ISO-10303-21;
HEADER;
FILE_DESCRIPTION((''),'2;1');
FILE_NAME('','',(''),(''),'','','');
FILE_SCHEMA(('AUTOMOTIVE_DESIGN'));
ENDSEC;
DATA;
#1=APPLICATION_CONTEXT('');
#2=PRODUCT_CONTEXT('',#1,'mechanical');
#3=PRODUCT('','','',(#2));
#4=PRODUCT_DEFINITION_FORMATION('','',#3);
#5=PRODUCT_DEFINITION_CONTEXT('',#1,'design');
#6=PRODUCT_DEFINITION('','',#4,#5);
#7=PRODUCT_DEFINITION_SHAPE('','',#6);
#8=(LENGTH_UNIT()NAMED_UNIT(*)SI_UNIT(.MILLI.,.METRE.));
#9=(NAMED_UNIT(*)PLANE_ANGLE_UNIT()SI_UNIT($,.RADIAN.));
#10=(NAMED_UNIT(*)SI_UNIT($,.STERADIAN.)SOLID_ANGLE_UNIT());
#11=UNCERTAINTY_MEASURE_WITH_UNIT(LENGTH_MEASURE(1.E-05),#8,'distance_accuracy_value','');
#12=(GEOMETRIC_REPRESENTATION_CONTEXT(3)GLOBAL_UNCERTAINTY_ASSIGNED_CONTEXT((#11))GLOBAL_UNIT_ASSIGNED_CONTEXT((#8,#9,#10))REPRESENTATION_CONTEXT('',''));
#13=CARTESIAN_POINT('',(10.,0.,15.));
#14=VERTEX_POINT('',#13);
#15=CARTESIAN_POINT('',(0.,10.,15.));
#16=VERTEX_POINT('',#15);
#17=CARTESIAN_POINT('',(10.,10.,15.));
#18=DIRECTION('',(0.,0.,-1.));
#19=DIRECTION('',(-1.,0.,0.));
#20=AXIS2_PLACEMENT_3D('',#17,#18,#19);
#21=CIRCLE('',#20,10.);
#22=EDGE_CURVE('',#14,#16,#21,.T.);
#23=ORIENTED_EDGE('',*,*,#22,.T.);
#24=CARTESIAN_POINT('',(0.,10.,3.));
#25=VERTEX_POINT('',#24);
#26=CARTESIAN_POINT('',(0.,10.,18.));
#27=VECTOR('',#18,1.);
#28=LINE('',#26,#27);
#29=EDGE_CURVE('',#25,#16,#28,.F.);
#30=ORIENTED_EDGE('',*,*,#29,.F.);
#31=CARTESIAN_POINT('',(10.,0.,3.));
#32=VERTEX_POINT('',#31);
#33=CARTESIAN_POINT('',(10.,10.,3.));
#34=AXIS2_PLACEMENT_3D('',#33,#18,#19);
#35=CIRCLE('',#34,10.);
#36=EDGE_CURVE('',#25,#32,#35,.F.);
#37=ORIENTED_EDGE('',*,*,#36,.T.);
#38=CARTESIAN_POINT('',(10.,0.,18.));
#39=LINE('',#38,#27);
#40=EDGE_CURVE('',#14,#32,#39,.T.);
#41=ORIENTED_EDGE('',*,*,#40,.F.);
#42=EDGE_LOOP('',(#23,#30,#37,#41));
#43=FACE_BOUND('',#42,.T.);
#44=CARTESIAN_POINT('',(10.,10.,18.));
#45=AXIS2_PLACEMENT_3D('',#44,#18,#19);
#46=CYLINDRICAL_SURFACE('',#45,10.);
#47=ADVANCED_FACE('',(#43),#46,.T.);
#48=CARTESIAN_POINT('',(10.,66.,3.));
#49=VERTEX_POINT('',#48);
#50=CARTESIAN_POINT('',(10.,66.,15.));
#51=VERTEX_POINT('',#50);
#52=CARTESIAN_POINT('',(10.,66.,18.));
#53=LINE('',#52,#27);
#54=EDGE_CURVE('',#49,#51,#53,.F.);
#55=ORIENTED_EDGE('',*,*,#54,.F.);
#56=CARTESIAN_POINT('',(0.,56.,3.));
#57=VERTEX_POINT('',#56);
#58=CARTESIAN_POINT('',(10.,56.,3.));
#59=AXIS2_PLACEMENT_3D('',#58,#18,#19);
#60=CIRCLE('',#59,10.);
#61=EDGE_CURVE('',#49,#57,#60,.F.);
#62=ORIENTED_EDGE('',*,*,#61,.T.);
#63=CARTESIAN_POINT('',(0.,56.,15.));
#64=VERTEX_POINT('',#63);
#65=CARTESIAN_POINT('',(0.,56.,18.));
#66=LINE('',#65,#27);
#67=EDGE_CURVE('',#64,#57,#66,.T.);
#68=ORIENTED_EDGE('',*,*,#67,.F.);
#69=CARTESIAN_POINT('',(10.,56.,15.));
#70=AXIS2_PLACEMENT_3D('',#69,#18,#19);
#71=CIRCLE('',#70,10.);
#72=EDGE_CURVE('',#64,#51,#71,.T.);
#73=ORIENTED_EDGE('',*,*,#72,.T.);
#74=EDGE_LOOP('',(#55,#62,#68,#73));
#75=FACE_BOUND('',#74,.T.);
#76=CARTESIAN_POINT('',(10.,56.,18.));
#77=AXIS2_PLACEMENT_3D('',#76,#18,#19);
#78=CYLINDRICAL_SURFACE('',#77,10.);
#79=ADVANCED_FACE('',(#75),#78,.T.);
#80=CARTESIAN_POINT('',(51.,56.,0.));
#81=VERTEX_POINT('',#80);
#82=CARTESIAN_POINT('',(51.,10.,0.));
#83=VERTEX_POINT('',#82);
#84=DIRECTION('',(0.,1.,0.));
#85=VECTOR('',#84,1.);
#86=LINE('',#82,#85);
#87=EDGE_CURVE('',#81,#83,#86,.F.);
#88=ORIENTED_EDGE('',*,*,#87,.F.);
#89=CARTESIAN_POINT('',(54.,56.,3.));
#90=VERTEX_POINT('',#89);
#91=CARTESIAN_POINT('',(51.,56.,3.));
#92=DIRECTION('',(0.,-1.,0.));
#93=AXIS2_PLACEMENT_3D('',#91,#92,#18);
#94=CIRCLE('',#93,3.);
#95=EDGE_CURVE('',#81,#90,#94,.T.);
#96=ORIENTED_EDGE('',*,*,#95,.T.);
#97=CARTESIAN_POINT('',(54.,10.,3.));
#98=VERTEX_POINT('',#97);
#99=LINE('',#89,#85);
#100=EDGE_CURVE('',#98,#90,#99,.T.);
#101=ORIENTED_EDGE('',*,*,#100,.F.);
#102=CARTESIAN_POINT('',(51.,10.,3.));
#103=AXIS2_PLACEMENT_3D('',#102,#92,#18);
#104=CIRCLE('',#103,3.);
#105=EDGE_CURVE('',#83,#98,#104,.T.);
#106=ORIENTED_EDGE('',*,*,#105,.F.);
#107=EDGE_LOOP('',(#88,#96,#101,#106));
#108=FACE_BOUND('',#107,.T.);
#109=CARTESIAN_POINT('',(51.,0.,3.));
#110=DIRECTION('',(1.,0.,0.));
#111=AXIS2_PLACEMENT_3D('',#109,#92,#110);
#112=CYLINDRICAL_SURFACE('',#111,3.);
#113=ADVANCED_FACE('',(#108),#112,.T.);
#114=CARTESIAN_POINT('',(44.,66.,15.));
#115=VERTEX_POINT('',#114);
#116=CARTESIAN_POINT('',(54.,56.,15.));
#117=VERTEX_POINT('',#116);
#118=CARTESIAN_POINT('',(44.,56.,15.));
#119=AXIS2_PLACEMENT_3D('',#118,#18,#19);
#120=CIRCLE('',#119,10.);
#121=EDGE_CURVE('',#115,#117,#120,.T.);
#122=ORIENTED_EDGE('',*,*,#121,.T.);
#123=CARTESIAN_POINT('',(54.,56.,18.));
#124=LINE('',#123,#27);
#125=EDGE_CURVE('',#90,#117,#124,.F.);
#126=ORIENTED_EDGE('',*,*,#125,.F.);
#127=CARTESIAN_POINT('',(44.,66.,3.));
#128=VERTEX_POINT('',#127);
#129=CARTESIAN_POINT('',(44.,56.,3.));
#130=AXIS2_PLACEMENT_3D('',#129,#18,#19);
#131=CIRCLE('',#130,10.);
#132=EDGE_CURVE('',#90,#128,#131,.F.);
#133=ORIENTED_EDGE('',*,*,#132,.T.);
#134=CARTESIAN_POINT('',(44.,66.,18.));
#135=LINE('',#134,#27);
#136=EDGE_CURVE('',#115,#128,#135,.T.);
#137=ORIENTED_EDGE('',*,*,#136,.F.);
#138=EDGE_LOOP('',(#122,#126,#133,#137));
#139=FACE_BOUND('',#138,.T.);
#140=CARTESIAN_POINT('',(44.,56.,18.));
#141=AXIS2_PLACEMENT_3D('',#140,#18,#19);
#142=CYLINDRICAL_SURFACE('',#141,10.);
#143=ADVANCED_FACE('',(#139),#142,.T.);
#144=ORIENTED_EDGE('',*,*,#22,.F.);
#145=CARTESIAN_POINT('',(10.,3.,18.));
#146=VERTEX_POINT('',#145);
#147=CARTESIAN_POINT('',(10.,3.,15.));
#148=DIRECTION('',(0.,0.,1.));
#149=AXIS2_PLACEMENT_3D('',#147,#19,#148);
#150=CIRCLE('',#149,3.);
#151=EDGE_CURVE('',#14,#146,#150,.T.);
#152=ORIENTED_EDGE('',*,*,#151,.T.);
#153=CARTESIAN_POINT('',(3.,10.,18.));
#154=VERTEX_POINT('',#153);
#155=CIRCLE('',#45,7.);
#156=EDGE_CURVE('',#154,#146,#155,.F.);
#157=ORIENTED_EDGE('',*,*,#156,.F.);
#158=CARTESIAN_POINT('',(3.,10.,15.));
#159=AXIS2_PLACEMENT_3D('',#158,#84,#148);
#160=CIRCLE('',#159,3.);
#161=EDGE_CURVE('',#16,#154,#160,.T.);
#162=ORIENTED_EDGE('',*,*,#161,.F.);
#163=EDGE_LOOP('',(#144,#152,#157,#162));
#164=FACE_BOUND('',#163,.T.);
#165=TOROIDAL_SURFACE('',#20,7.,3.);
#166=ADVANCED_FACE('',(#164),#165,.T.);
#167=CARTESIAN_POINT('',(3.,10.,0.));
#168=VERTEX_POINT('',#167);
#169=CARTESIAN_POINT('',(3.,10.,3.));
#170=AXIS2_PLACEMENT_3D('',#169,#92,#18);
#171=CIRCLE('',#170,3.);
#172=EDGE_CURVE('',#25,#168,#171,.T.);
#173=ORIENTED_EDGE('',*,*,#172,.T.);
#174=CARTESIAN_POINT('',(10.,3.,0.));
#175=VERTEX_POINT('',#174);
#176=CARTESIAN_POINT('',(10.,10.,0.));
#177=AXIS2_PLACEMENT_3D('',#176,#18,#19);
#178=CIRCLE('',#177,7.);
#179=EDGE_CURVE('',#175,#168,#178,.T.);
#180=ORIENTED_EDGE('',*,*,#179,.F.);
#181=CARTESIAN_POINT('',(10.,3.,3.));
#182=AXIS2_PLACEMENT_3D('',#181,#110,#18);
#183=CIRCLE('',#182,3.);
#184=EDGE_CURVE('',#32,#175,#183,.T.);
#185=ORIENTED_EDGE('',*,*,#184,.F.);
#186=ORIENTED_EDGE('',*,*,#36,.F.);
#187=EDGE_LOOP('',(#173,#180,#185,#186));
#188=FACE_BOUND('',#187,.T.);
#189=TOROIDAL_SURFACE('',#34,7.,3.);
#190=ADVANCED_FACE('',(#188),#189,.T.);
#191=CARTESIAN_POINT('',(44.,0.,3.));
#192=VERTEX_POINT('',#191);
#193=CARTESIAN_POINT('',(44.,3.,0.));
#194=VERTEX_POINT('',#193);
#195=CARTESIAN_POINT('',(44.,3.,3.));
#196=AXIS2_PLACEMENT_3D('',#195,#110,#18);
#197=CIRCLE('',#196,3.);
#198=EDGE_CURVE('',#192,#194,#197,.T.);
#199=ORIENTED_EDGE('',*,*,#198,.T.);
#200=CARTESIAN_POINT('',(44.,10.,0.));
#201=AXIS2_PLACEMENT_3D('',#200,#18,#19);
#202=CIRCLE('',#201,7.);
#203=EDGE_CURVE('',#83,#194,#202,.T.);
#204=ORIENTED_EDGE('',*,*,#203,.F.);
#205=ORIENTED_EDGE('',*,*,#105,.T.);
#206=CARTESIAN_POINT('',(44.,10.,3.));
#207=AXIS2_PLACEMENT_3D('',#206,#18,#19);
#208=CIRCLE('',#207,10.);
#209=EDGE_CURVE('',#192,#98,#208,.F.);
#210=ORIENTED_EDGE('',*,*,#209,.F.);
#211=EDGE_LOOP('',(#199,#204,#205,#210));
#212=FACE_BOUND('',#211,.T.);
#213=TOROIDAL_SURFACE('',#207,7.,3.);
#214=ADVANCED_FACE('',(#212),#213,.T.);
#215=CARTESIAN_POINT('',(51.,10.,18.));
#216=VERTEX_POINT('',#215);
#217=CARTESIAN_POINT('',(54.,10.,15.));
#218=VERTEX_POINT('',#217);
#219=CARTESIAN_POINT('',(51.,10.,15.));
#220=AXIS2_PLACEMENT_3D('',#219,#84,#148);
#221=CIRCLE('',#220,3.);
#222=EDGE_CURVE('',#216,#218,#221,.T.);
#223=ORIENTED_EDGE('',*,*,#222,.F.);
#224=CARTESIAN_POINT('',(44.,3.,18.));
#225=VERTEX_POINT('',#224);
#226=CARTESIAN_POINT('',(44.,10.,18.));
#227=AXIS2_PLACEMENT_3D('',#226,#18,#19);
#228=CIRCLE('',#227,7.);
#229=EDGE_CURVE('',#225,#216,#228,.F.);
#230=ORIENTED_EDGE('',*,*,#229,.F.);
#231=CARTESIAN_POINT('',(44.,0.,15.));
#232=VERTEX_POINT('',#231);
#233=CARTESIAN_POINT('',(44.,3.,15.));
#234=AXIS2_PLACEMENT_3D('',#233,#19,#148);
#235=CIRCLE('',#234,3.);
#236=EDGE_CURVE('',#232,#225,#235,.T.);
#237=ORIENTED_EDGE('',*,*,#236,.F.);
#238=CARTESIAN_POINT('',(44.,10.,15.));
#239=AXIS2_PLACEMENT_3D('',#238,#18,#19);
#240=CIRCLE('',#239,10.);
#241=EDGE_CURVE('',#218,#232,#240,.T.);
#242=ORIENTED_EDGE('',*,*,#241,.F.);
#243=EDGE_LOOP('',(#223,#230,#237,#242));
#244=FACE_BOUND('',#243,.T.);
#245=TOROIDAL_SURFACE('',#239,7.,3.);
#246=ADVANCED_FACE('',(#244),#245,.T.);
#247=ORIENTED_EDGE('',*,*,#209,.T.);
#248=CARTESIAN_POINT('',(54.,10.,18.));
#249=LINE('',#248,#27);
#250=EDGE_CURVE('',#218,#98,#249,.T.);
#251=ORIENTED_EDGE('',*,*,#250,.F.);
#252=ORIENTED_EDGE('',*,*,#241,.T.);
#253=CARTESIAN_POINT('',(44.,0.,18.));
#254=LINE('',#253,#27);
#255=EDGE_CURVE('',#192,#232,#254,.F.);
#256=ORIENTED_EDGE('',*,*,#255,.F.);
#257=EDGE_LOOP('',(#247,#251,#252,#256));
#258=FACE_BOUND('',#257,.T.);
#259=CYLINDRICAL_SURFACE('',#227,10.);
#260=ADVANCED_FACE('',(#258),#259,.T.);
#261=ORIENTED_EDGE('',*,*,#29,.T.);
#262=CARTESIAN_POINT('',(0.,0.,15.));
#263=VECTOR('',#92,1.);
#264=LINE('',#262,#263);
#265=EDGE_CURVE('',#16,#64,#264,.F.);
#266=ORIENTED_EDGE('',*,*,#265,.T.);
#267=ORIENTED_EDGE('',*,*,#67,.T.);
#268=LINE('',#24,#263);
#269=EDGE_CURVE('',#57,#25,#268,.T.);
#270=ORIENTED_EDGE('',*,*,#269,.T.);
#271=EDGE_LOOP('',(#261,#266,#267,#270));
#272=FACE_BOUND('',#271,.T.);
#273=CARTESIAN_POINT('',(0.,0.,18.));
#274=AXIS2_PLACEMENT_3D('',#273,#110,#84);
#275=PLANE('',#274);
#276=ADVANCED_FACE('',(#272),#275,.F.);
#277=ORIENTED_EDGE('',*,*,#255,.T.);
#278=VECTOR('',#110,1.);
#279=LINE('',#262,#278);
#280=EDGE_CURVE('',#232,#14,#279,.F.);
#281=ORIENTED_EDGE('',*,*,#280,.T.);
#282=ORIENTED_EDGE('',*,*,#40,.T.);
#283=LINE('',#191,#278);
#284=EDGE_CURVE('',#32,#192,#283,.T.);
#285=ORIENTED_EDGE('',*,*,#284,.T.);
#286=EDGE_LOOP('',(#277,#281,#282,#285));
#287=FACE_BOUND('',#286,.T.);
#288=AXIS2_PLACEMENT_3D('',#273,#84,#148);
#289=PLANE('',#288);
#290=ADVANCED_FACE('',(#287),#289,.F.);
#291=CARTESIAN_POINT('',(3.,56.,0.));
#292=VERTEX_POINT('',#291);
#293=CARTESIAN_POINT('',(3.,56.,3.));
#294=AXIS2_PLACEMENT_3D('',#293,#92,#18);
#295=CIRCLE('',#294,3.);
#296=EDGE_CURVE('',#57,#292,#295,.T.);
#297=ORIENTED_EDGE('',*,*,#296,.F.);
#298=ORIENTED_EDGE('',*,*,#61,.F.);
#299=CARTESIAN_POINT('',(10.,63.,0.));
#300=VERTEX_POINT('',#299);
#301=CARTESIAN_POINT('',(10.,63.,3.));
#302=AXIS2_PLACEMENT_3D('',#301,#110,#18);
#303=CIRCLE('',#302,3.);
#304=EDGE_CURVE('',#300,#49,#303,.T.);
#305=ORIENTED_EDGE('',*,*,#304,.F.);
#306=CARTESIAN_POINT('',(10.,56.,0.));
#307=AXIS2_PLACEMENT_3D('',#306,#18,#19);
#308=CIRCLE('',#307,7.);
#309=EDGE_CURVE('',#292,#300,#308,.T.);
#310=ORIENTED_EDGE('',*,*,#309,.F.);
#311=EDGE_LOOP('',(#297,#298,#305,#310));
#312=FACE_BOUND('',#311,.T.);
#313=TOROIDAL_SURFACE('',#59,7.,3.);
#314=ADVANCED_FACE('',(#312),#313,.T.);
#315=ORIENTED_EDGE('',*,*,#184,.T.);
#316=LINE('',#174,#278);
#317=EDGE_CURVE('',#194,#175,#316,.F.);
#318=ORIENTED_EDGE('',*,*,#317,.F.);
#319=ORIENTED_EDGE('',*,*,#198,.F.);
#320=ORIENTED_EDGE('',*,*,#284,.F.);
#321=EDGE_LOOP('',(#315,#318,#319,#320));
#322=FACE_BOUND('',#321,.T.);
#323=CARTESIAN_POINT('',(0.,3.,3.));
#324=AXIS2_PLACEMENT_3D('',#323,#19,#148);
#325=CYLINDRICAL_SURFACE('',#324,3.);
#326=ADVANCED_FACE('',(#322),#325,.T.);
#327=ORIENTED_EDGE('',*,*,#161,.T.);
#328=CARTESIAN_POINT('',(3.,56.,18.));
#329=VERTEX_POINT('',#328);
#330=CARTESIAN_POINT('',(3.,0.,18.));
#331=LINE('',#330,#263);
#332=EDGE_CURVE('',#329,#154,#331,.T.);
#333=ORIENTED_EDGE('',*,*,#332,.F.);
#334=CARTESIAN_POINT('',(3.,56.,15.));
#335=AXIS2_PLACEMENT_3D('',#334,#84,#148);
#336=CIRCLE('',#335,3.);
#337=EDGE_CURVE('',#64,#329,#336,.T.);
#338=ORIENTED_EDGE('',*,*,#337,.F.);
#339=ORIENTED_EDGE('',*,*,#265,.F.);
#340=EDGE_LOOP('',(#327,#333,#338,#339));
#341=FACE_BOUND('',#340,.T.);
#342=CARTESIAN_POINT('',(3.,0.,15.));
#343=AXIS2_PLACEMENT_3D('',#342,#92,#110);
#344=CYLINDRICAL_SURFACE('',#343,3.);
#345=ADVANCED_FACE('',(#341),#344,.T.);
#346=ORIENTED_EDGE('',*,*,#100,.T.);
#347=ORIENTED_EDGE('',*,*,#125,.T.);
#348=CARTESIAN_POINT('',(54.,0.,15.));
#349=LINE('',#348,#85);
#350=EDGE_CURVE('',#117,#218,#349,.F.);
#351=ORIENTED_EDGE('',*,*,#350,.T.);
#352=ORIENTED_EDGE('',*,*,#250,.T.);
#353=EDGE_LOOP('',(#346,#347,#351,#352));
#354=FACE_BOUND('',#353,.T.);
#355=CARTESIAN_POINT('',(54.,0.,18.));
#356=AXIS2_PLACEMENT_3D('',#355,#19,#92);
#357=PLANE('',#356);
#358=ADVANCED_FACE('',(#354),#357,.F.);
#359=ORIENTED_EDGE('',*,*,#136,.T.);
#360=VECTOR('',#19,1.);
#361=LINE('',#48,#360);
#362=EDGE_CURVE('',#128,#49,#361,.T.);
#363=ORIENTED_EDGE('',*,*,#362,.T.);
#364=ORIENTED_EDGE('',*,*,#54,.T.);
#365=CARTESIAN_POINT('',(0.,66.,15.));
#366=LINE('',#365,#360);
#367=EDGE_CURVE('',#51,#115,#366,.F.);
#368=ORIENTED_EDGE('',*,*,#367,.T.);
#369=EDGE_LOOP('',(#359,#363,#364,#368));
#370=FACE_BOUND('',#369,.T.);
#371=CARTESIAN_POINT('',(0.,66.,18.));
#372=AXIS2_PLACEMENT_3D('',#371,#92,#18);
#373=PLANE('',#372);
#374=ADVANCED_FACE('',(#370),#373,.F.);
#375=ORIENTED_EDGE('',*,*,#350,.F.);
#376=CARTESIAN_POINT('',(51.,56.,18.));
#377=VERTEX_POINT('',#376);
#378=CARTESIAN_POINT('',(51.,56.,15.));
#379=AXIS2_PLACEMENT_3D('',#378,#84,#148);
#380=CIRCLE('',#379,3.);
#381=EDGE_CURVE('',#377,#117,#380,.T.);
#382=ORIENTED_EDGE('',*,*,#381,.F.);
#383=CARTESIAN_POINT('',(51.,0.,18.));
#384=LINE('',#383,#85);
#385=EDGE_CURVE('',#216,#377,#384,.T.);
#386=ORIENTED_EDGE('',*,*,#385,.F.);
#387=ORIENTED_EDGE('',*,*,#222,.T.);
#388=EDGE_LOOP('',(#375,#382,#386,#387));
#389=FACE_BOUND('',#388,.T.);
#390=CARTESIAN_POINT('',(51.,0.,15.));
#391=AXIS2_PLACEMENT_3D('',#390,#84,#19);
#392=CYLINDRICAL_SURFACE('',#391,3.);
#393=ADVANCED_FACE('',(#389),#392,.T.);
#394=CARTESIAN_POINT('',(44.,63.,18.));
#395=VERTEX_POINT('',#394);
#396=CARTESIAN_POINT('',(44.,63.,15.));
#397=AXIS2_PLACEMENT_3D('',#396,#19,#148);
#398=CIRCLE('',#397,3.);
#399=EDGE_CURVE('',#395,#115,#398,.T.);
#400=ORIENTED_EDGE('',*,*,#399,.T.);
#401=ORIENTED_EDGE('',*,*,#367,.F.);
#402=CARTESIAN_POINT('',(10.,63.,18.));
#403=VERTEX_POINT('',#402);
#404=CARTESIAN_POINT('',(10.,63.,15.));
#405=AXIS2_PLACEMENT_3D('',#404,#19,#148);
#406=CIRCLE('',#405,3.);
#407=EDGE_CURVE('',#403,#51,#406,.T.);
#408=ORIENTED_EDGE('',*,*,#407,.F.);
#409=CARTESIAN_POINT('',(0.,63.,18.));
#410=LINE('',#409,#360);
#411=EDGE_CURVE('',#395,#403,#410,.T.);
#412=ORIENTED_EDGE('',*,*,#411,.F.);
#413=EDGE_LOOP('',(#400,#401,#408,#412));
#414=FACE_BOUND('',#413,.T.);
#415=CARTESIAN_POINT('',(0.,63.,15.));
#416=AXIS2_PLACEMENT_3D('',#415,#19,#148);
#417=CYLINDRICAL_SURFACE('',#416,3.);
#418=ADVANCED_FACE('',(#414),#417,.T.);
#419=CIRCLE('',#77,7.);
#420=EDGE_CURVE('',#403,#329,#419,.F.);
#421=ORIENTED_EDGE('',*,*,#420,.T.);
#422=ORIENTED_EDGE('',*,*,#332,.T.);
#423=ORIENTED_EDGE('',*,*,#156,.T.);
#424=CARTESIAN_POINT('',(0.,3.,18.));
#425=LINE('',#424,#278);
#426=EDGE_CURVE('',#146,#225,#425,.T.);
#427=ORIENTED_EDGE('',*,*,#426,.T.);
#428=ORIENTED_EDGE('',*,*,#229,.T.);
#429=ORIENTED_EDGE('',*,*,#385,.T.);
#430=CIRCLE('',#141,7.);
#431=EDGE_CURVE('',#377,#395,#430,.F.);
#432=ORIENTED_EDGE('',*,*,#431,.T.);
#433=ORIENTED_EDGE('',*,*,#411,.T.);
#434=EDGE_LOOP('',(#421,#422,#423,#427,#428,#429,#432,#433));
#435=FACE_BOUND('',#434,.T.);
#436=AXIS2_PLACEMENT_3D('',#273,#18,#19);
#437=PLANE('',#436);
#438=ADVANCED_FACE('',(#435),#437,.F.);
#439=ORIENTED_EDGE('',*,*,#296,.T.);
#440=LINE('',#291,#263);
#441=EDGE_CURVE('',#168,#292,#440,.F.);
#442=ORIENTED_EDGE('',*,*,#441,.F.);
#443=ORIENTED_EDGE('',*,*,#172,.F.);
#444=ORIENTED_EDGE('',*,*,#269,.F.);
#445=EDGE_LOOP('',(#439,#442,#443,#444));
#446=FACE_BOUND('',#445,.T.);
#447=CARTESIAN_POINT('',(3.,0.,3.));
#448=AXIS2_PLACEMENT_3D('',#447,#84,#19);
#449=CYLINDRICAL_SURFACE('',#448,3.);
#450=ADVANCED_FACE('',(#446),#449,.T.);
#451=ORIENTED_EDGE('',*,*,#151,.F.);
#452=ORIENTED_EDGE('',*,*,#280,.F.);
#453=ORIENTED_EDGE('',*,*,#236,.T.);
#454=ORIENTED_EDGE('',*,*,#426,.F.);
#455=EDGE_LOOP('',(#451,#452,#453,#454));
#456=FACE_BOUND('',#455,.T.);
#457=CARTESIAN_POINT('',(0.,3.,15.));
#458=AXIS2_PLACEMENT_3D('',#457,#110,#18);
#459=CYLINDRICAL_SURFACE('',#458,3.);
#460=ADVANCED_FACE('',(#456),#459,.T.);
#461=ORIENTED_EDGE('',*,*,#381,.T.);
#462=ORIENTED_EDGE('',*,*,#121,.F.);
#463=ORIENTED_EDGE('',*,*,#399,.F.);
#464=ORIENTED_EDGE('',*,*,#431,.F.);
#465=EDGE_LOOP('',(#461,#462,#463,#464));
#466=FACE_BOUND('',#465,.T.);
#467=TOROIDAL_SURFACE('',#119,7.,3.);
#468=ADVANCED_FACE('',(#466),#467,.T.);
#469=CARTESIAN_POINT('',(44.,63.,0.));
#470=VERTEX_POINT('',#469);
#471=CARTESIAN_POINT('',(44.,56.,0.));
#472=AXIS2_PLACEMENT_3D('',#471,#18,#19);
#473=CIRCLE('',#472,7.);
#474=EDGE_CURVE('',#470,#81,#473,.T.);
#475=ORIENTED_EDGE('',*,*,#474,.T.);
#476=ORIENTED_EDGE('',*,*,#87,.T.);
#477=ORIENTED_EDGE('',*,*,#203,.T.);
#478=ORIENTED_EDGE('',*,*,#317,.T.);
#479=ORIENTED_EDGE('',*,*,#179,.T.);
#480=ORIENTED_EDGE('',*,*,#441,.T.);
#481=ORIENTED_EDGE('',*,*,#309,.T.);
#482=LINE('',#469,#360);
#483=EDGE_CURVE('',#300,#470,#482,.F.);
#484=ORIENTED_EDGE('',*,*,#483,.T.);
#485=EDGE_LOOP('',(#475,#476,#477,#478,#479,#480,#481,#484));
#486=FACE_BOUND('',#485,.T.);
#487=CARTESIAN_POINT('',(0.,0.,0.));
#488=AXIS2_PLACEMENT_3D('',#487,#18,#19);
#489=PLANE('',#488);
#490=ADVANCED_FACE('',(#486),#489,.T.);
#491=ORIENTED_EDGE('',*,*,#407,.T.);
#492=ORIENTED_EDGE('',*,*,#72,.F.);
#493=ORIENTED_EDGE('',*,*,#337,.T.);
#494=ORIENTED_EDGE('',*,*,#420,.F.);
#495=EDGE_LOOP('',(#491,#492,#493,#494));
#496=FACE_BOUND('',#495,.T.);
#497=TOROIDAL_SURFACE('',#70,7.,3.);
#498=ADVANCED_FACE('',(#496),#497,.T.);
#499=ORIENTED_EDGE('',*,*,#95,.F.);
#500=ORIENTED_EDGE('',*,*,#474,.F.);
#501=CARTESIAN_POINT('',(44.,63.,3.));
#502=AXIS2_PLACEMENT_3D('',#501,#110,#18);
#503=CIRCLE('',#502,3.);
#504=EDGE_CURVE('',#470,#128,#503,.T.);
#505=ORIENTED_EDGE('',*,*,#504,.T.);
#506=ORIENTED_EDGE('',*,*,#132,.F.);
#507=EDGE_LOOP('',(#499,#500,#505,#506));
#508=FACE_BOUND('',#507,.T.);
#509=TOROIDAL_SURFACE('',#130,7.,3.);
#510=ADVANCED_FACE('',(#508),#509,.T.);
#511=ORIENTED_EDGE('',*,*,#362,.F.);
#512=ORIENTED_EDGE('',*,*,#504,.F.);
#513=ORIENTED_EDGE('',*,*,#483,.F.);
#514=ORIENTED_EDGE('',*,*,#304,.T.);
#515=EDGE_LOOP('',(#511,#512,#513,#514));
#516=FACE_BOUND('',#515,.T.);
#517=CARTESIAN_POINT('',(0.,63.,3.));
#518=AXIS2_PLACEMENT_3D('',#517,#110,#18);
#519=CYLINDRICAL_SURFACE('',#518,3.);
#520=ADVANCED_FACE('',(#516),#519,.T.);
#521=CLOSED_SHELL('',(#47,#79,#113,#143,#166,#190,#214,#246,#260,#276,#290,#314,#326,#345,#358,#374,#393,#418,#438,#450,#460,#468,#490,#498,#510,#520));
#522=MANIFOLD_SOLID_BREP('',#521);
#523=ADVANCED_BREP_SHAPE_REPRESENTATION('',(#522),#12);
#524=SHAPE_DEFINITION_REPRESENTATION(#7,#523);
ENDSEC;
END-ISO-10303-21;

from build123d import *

# Parameters (mm, degrees)
SKETCH_1_W      = 54
SKETCH_1_H      = 66
EXTRUDE_1_DEPTH = 18
FILLET_1_R      = 10
FILLET_2_R      = 3


with BuildPart() as part:
    # 草图1 → 凸台-拉伸1 (new body)
    with BuildSketch(Plane.XY):
        with Locations((27, 33)):
            Rectangle(SKETCH_1_W, SKETCH_1_H)
    extrude(amount=EXTRUDE_1_DEPTH)

    # 圆角1
    fillet_1_edges = [part.edges().sort_by_distance(p)[0] for p in [
        (0, 66, 9),
        (54, 66, 9),
        (54, 0, 9),
        (0, 0, 9),
    ]]
    fillet(fillet_1_edges, radius=FILLET_1_R)

    # 圆角2
    fillet_2_edges = [part.edges().sort_by_distance(p)[0] for p in [
        (27, 0, 0),
        (27, 0, 18),
        (0, 33, 0),
        (27, 66, 0),
        (54, 33, 0),
        (2.928932188, 63.071067812, 0),
        (51.071067812, 63.071067812, 0),
        (51.071067812, 2.928932188, 0),
        (2.928932188, 2.928932188, 0),
        (0, 33, 18),
        (54, 33, 18),
        (27, 66, 18),
        (2.928932188, 63.071067812, 18),
        (51.071067812, 63.071067812, 18),
        (51.071067812, 2.928932188, 18),
        (2.928932188, 2.928932188, 18),
    ]]
    fillet(fillet_2_edges, radius=FILLET_2_R)


solid = part.part
